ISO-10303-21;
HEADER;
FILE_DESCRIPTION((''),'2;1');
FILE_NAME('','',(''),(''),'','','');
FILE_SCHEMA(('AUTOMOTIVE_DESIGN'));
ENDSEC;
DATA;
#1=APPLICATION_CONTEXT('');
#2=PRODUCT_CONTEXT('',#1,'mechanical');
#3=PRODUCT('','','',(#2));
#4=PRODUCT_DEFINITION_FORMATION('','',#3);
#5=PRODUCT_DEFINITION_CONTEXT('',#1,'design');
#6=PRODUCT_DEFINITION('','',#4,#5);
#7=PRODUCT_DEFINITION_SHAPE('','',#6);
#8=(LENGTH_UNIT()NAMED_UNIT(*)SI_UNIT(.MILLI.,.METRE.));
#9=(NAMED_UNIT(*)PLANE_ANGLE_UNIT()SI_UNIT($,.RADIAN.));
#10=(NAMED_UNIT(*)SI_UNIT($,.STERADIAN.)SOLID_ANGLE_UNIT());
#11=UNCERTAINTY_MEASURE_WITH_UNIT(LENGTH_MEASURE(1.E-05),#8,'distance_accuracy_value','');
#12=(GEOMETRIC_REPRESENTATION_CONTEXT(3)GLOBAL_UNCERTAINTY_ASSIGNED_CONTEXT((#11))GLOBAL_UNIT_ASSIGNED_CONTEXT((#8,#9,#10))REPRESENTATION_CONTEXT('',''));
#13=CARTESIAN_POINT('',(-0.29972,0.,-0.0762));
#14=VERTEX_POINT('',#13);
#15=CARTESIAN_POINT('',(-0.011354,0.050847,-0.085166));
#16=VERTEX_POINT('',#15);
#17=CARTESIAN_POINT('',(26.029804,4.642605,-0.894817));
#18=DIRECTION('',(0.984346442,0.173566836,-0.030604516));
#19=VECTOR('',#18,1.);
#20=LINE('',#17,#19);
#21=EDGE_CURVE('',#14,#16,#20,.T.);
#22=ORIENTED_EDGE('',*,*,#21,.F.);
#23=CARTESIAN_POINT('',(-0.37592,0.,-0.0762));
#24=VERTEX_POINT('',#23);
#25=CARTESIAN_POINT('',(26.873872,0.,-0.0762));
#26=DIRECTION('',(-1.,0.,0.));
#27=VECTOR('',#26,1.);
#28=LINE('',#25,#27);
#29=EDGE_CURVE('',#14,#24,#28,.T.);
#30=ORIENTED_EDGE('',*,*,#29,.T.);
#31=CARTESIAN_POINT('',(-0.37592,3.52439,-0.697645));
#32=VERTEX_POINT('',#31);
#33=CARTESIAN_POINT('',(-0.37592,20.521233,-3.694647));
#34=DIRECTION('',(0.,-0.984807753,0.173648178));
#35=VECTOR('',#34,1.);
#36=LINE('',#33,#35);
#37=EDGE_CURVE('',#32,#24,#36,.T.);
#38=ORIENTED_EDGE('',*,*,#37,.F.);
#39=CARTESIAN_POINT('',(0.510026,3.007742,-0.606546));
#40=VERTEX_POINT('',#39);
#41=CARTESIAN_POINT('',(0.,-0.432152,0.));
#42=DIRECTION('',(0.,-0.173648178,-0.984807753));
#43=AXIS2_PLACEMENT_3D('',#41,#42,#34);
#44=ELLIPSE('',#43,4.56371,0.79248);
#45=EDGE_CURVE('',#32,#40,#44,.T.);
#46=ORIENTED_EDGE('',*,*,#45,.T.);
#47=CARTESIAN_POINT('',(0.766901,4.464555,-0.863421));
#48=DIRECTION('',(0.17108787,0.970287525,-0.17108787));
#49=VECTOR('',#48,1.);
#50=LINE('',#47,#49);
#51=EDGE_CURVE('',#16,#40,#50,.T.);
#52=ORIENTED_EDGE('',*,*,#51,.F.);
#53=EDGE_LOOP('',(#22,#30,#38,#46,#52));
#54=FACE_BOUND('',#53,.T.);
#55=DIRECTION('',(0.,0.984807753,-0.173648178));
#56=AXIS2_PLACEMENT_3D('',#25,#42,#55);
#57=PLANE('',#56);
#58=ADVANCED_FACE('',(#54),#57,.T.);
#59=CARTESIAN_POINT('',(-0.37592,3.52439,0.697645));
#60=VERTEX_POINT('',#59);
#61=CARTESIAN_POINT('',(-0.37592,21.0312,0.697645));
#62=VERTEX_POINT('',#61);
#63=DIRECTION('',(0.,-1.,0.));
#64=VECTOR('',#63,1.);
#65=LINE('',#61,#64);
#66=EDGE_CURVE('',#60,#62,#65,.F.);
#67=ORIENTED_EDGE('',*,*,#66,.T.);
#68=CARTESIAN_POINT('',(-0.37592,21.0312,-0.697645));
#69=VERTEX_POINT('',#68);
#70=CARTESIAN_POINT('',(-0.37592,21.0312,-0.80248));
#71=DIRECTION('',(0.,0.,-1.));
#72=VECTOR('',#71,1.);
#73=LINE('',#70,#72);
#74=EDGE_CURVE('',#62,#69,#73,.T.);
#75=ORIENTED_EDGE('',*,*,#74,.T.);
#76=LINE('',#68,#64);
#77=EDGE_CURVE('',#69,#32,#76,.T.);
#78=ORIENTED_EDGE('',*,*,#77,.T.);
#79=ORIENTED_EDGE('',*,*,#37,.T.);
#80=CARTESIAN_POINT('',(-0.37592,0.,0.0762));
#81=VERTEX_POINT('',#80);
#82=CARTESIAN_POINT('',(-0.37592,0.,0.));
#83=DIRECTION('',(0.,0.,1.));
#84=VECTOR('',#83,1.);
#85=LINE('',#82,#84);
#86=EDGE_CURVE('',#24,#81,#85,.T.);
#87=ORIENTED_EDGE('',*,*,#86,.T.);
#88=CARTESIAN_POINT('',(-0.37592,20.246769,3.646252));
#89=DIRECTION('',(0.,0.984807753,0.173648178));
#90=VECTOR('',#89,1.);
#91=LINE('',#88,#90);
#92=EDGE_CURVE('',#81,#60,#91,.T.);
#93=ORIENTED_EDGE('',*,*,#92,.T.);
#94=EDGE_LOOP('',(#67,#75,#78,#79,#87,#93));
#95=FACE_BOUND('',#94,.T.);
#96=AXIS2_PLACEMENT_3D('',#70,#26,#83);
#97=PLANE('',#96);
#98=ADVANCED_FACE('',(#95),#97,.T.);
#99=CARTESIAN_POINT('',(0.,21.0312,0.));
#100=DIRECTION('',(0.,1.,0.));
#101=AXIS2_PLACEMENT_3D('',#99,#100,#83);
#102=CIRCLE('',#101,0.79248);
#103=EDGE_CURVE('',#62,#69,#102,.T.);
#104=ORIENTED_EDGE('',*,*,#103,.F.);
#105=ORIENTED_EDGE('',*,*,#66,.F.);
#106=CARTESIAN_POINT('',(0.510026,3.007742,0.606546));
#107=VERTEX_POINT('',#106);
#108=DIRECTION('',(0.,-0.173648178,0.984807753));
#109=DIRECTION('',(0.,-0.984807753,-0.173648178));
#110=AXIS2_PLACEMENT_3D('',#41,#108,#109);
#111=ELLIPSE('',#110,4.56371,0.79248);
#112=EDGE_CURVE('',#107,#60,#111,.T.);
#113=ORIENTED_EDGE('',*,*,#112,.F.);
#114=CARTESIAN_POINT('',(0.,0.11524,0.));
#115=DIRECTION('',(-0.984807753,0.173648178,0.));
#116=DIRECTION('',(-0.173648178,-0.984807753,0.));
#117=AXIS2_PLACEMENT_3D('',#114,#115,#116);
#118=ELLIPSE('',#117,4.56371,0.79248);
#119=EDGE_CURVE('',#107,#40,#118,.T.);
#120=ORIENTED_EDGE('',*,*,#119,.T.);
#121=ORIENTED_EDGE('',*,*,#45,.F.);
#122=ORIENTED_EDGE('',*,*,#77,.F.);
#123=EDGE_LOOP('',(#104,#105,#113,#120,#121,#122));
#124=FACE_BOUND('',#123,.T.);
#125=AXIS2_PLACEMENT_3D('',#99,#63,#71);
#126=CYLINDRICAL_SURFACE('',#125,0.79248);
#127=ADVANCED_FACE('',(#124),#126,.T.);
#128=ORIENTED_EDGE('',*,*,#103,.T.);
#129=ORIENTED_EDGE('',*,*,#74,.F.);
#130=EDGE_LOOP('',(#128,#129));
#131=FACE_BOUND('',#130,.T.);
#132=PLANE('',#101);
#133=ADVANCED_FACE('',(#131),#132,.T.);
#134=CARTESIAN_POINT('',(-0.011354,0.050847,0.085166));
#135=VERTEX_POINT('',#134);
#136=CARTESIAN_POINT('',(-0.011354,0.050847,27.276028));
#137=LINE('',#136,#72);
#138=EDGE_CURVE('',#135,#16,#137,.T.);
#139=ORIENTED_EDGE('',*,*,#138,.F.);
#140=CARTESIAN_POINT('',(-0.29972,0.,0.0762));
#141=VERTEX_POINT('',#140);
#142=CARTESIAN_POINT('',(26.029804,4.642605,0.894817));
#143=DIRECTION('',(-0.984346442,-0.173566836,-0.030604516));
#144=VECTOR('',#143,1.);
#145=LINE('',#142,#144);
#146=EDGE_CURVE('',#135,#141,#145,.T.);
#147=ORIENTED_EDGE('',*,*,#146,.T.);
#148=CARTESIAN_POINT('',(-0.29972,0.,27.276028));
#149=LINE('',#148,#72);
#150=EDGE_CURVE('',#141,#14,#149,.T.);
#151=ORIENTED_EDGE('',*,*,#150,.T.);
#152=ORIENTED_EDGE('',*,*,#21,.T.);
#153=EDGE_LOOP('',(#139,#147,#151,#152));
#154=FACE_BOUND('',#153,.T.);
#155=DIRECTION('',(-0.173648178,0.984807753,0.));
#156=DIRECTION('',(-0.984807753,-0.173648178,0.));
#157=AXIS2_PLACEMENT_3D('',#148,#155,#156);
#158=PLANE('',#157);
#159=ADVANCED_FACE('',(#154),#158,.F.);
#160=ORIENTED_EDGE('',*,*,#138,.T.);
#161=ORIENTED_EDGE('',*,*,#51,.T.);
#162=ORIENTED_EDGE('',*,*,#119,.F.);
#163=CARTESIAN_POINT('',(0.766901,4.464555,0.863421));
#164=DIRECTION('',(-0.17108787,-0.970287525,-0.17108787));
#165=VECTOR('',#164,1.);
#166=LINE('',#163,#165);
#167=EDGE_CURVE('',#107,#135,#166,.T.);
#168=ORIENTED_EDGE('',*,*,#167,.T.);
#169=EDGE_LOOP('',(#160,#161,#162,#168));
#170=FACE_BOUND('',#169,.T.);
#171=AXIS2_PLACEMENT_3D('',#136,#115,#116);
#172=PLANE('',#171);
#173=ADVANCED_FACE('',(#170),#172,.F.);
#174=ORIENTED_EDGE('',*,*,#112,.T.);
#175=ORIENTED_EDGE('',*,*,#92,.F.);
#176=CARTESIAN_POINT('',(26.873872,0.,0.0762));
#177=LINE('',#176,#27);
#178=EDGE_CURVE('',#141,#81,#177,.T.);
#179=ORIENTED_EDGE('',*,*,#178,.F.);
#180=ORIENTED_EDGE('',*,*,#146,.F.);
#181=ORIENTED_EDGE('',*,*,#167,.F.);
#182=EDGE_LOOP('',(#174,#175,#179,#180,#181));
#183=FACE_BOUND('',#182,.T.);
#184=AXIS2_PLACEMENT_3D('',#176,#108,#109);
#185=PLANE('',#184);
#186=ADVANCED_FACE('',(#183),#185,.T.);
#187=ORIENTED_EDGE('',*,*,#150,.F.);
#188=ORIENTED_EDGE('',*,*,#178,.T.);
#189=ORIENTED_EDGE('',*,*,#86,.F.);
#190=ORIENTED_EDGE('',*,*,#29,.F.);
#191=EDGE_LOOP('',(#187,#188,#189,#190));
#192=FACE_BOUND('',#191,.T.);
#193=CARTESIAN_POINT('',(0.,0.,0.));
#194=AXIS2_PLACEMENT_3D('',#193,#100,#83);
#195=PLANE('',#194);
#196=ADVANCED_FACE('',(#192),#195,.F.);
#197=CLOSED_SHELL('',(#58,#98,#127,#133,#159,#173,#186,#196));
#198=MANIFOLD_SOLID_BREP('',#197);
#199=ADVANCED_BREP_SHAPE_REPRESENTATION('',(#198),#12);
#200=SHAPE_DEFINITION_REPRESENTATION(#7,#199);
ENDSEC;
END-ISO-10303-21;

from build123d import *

# Parameters (mm, degrees)
TD_SKETCH_R                   = 0.79248
TL_FEATURE_DEPTH              = 21.0312
TDF_STD_SKETCH_W              = 1.60495996
TDF_STD_SKETCH_H              = 1.60495996
TDF_STD_FEATURE_DEPTH         = 22.061040395
ISA_20_STD_FEATURE_DEPTH      = 22.061040395
ISA_20_STD_FEATURE_DEPTH_BACK = 22.061040395
F_10BA_STD_FEATURE_DEPTH      = 22.061040395
F_10BA_STD_FEATURE_DEPTH_BACK = 22.061040395


with BuildPart() as part:
    # TD_sketch → TL_feature (new body)
    with BuildSketch(Plane(origin=(0, 0, 0), x_dir=(1, 0, 0), z_dir=(0, 1, 0))):
        Circle(TD_SKETCH_R)
    extrude(amount=TL_FEATURE_DEPTH)

    # TDF_STD_sketch → TDF_STD_feature (cut, through all)
    with BuildSketch(Plane(origin=(0, 0, 0), x_dir=(1, 0, 0), z_dir=(0, 1, 0))):
        with Locations((-1.17839998, 0)):
            Rectangle(TDF_STD_SKETCH_W, TDF_STD_SKETCH_H)
    extrude(amount=TDF_STD_FEATURE_DEPTH, mode=Mode.SUBTRACT)

    # ISA_20_STD_sketch → ISA_20_STD_feature (cut, two sides: drawn at the far end of the back side and taken through both)
    with BuildSketch(Plane(origin=(0, 0, 0), x_dir=(0, 0, -1), z_dir=(1, 0, 0)).offset(-ISA_20_STD_FEATURE_DEPTH_BACK)):
        Polygon((-12.996080373, 73.27228267), (-3.784567997, 21.0312), (-0.0762, 0), (0.0762, 0), (3.784567997, 21.0312), (12.996080373, 73.27228267), (12.996080373, -32.821688483), (-12.996080373, -32.821688483), align=None)
    extrude(amount=ISA_20_STD_FEATURE_DEPTH + ISA_20_STD_FEATURE_DEPTH_BACK, mode=Mode.SUBTRACT)

    # 10BA_STD_sketch → 10BA_STD_feature (cut, two sides: drawn at the far end of the back side and taken through both)
    with BuildSketch(Plane.XY.offset(-F_10BA_STD_FEATURE_DEPTH_BACK)):
        Polygon((-53.216424634, 0), (-0.37592, 0), (-0.29972, 0), (-0.011354365, 0.050846642), (3.688047997, 21.0312), (12.863705333, 73.068938636), (91.245889802, 2.18375769), (25.165759835, -70.885180946), align=None)
    extrude(amount=F_10BA_STD_FEATURE_DEPTH + F_10BA_STD_FEATURE_DEPTH_BACK, mode=Mode.SUBTRACT)


solid = part.part
